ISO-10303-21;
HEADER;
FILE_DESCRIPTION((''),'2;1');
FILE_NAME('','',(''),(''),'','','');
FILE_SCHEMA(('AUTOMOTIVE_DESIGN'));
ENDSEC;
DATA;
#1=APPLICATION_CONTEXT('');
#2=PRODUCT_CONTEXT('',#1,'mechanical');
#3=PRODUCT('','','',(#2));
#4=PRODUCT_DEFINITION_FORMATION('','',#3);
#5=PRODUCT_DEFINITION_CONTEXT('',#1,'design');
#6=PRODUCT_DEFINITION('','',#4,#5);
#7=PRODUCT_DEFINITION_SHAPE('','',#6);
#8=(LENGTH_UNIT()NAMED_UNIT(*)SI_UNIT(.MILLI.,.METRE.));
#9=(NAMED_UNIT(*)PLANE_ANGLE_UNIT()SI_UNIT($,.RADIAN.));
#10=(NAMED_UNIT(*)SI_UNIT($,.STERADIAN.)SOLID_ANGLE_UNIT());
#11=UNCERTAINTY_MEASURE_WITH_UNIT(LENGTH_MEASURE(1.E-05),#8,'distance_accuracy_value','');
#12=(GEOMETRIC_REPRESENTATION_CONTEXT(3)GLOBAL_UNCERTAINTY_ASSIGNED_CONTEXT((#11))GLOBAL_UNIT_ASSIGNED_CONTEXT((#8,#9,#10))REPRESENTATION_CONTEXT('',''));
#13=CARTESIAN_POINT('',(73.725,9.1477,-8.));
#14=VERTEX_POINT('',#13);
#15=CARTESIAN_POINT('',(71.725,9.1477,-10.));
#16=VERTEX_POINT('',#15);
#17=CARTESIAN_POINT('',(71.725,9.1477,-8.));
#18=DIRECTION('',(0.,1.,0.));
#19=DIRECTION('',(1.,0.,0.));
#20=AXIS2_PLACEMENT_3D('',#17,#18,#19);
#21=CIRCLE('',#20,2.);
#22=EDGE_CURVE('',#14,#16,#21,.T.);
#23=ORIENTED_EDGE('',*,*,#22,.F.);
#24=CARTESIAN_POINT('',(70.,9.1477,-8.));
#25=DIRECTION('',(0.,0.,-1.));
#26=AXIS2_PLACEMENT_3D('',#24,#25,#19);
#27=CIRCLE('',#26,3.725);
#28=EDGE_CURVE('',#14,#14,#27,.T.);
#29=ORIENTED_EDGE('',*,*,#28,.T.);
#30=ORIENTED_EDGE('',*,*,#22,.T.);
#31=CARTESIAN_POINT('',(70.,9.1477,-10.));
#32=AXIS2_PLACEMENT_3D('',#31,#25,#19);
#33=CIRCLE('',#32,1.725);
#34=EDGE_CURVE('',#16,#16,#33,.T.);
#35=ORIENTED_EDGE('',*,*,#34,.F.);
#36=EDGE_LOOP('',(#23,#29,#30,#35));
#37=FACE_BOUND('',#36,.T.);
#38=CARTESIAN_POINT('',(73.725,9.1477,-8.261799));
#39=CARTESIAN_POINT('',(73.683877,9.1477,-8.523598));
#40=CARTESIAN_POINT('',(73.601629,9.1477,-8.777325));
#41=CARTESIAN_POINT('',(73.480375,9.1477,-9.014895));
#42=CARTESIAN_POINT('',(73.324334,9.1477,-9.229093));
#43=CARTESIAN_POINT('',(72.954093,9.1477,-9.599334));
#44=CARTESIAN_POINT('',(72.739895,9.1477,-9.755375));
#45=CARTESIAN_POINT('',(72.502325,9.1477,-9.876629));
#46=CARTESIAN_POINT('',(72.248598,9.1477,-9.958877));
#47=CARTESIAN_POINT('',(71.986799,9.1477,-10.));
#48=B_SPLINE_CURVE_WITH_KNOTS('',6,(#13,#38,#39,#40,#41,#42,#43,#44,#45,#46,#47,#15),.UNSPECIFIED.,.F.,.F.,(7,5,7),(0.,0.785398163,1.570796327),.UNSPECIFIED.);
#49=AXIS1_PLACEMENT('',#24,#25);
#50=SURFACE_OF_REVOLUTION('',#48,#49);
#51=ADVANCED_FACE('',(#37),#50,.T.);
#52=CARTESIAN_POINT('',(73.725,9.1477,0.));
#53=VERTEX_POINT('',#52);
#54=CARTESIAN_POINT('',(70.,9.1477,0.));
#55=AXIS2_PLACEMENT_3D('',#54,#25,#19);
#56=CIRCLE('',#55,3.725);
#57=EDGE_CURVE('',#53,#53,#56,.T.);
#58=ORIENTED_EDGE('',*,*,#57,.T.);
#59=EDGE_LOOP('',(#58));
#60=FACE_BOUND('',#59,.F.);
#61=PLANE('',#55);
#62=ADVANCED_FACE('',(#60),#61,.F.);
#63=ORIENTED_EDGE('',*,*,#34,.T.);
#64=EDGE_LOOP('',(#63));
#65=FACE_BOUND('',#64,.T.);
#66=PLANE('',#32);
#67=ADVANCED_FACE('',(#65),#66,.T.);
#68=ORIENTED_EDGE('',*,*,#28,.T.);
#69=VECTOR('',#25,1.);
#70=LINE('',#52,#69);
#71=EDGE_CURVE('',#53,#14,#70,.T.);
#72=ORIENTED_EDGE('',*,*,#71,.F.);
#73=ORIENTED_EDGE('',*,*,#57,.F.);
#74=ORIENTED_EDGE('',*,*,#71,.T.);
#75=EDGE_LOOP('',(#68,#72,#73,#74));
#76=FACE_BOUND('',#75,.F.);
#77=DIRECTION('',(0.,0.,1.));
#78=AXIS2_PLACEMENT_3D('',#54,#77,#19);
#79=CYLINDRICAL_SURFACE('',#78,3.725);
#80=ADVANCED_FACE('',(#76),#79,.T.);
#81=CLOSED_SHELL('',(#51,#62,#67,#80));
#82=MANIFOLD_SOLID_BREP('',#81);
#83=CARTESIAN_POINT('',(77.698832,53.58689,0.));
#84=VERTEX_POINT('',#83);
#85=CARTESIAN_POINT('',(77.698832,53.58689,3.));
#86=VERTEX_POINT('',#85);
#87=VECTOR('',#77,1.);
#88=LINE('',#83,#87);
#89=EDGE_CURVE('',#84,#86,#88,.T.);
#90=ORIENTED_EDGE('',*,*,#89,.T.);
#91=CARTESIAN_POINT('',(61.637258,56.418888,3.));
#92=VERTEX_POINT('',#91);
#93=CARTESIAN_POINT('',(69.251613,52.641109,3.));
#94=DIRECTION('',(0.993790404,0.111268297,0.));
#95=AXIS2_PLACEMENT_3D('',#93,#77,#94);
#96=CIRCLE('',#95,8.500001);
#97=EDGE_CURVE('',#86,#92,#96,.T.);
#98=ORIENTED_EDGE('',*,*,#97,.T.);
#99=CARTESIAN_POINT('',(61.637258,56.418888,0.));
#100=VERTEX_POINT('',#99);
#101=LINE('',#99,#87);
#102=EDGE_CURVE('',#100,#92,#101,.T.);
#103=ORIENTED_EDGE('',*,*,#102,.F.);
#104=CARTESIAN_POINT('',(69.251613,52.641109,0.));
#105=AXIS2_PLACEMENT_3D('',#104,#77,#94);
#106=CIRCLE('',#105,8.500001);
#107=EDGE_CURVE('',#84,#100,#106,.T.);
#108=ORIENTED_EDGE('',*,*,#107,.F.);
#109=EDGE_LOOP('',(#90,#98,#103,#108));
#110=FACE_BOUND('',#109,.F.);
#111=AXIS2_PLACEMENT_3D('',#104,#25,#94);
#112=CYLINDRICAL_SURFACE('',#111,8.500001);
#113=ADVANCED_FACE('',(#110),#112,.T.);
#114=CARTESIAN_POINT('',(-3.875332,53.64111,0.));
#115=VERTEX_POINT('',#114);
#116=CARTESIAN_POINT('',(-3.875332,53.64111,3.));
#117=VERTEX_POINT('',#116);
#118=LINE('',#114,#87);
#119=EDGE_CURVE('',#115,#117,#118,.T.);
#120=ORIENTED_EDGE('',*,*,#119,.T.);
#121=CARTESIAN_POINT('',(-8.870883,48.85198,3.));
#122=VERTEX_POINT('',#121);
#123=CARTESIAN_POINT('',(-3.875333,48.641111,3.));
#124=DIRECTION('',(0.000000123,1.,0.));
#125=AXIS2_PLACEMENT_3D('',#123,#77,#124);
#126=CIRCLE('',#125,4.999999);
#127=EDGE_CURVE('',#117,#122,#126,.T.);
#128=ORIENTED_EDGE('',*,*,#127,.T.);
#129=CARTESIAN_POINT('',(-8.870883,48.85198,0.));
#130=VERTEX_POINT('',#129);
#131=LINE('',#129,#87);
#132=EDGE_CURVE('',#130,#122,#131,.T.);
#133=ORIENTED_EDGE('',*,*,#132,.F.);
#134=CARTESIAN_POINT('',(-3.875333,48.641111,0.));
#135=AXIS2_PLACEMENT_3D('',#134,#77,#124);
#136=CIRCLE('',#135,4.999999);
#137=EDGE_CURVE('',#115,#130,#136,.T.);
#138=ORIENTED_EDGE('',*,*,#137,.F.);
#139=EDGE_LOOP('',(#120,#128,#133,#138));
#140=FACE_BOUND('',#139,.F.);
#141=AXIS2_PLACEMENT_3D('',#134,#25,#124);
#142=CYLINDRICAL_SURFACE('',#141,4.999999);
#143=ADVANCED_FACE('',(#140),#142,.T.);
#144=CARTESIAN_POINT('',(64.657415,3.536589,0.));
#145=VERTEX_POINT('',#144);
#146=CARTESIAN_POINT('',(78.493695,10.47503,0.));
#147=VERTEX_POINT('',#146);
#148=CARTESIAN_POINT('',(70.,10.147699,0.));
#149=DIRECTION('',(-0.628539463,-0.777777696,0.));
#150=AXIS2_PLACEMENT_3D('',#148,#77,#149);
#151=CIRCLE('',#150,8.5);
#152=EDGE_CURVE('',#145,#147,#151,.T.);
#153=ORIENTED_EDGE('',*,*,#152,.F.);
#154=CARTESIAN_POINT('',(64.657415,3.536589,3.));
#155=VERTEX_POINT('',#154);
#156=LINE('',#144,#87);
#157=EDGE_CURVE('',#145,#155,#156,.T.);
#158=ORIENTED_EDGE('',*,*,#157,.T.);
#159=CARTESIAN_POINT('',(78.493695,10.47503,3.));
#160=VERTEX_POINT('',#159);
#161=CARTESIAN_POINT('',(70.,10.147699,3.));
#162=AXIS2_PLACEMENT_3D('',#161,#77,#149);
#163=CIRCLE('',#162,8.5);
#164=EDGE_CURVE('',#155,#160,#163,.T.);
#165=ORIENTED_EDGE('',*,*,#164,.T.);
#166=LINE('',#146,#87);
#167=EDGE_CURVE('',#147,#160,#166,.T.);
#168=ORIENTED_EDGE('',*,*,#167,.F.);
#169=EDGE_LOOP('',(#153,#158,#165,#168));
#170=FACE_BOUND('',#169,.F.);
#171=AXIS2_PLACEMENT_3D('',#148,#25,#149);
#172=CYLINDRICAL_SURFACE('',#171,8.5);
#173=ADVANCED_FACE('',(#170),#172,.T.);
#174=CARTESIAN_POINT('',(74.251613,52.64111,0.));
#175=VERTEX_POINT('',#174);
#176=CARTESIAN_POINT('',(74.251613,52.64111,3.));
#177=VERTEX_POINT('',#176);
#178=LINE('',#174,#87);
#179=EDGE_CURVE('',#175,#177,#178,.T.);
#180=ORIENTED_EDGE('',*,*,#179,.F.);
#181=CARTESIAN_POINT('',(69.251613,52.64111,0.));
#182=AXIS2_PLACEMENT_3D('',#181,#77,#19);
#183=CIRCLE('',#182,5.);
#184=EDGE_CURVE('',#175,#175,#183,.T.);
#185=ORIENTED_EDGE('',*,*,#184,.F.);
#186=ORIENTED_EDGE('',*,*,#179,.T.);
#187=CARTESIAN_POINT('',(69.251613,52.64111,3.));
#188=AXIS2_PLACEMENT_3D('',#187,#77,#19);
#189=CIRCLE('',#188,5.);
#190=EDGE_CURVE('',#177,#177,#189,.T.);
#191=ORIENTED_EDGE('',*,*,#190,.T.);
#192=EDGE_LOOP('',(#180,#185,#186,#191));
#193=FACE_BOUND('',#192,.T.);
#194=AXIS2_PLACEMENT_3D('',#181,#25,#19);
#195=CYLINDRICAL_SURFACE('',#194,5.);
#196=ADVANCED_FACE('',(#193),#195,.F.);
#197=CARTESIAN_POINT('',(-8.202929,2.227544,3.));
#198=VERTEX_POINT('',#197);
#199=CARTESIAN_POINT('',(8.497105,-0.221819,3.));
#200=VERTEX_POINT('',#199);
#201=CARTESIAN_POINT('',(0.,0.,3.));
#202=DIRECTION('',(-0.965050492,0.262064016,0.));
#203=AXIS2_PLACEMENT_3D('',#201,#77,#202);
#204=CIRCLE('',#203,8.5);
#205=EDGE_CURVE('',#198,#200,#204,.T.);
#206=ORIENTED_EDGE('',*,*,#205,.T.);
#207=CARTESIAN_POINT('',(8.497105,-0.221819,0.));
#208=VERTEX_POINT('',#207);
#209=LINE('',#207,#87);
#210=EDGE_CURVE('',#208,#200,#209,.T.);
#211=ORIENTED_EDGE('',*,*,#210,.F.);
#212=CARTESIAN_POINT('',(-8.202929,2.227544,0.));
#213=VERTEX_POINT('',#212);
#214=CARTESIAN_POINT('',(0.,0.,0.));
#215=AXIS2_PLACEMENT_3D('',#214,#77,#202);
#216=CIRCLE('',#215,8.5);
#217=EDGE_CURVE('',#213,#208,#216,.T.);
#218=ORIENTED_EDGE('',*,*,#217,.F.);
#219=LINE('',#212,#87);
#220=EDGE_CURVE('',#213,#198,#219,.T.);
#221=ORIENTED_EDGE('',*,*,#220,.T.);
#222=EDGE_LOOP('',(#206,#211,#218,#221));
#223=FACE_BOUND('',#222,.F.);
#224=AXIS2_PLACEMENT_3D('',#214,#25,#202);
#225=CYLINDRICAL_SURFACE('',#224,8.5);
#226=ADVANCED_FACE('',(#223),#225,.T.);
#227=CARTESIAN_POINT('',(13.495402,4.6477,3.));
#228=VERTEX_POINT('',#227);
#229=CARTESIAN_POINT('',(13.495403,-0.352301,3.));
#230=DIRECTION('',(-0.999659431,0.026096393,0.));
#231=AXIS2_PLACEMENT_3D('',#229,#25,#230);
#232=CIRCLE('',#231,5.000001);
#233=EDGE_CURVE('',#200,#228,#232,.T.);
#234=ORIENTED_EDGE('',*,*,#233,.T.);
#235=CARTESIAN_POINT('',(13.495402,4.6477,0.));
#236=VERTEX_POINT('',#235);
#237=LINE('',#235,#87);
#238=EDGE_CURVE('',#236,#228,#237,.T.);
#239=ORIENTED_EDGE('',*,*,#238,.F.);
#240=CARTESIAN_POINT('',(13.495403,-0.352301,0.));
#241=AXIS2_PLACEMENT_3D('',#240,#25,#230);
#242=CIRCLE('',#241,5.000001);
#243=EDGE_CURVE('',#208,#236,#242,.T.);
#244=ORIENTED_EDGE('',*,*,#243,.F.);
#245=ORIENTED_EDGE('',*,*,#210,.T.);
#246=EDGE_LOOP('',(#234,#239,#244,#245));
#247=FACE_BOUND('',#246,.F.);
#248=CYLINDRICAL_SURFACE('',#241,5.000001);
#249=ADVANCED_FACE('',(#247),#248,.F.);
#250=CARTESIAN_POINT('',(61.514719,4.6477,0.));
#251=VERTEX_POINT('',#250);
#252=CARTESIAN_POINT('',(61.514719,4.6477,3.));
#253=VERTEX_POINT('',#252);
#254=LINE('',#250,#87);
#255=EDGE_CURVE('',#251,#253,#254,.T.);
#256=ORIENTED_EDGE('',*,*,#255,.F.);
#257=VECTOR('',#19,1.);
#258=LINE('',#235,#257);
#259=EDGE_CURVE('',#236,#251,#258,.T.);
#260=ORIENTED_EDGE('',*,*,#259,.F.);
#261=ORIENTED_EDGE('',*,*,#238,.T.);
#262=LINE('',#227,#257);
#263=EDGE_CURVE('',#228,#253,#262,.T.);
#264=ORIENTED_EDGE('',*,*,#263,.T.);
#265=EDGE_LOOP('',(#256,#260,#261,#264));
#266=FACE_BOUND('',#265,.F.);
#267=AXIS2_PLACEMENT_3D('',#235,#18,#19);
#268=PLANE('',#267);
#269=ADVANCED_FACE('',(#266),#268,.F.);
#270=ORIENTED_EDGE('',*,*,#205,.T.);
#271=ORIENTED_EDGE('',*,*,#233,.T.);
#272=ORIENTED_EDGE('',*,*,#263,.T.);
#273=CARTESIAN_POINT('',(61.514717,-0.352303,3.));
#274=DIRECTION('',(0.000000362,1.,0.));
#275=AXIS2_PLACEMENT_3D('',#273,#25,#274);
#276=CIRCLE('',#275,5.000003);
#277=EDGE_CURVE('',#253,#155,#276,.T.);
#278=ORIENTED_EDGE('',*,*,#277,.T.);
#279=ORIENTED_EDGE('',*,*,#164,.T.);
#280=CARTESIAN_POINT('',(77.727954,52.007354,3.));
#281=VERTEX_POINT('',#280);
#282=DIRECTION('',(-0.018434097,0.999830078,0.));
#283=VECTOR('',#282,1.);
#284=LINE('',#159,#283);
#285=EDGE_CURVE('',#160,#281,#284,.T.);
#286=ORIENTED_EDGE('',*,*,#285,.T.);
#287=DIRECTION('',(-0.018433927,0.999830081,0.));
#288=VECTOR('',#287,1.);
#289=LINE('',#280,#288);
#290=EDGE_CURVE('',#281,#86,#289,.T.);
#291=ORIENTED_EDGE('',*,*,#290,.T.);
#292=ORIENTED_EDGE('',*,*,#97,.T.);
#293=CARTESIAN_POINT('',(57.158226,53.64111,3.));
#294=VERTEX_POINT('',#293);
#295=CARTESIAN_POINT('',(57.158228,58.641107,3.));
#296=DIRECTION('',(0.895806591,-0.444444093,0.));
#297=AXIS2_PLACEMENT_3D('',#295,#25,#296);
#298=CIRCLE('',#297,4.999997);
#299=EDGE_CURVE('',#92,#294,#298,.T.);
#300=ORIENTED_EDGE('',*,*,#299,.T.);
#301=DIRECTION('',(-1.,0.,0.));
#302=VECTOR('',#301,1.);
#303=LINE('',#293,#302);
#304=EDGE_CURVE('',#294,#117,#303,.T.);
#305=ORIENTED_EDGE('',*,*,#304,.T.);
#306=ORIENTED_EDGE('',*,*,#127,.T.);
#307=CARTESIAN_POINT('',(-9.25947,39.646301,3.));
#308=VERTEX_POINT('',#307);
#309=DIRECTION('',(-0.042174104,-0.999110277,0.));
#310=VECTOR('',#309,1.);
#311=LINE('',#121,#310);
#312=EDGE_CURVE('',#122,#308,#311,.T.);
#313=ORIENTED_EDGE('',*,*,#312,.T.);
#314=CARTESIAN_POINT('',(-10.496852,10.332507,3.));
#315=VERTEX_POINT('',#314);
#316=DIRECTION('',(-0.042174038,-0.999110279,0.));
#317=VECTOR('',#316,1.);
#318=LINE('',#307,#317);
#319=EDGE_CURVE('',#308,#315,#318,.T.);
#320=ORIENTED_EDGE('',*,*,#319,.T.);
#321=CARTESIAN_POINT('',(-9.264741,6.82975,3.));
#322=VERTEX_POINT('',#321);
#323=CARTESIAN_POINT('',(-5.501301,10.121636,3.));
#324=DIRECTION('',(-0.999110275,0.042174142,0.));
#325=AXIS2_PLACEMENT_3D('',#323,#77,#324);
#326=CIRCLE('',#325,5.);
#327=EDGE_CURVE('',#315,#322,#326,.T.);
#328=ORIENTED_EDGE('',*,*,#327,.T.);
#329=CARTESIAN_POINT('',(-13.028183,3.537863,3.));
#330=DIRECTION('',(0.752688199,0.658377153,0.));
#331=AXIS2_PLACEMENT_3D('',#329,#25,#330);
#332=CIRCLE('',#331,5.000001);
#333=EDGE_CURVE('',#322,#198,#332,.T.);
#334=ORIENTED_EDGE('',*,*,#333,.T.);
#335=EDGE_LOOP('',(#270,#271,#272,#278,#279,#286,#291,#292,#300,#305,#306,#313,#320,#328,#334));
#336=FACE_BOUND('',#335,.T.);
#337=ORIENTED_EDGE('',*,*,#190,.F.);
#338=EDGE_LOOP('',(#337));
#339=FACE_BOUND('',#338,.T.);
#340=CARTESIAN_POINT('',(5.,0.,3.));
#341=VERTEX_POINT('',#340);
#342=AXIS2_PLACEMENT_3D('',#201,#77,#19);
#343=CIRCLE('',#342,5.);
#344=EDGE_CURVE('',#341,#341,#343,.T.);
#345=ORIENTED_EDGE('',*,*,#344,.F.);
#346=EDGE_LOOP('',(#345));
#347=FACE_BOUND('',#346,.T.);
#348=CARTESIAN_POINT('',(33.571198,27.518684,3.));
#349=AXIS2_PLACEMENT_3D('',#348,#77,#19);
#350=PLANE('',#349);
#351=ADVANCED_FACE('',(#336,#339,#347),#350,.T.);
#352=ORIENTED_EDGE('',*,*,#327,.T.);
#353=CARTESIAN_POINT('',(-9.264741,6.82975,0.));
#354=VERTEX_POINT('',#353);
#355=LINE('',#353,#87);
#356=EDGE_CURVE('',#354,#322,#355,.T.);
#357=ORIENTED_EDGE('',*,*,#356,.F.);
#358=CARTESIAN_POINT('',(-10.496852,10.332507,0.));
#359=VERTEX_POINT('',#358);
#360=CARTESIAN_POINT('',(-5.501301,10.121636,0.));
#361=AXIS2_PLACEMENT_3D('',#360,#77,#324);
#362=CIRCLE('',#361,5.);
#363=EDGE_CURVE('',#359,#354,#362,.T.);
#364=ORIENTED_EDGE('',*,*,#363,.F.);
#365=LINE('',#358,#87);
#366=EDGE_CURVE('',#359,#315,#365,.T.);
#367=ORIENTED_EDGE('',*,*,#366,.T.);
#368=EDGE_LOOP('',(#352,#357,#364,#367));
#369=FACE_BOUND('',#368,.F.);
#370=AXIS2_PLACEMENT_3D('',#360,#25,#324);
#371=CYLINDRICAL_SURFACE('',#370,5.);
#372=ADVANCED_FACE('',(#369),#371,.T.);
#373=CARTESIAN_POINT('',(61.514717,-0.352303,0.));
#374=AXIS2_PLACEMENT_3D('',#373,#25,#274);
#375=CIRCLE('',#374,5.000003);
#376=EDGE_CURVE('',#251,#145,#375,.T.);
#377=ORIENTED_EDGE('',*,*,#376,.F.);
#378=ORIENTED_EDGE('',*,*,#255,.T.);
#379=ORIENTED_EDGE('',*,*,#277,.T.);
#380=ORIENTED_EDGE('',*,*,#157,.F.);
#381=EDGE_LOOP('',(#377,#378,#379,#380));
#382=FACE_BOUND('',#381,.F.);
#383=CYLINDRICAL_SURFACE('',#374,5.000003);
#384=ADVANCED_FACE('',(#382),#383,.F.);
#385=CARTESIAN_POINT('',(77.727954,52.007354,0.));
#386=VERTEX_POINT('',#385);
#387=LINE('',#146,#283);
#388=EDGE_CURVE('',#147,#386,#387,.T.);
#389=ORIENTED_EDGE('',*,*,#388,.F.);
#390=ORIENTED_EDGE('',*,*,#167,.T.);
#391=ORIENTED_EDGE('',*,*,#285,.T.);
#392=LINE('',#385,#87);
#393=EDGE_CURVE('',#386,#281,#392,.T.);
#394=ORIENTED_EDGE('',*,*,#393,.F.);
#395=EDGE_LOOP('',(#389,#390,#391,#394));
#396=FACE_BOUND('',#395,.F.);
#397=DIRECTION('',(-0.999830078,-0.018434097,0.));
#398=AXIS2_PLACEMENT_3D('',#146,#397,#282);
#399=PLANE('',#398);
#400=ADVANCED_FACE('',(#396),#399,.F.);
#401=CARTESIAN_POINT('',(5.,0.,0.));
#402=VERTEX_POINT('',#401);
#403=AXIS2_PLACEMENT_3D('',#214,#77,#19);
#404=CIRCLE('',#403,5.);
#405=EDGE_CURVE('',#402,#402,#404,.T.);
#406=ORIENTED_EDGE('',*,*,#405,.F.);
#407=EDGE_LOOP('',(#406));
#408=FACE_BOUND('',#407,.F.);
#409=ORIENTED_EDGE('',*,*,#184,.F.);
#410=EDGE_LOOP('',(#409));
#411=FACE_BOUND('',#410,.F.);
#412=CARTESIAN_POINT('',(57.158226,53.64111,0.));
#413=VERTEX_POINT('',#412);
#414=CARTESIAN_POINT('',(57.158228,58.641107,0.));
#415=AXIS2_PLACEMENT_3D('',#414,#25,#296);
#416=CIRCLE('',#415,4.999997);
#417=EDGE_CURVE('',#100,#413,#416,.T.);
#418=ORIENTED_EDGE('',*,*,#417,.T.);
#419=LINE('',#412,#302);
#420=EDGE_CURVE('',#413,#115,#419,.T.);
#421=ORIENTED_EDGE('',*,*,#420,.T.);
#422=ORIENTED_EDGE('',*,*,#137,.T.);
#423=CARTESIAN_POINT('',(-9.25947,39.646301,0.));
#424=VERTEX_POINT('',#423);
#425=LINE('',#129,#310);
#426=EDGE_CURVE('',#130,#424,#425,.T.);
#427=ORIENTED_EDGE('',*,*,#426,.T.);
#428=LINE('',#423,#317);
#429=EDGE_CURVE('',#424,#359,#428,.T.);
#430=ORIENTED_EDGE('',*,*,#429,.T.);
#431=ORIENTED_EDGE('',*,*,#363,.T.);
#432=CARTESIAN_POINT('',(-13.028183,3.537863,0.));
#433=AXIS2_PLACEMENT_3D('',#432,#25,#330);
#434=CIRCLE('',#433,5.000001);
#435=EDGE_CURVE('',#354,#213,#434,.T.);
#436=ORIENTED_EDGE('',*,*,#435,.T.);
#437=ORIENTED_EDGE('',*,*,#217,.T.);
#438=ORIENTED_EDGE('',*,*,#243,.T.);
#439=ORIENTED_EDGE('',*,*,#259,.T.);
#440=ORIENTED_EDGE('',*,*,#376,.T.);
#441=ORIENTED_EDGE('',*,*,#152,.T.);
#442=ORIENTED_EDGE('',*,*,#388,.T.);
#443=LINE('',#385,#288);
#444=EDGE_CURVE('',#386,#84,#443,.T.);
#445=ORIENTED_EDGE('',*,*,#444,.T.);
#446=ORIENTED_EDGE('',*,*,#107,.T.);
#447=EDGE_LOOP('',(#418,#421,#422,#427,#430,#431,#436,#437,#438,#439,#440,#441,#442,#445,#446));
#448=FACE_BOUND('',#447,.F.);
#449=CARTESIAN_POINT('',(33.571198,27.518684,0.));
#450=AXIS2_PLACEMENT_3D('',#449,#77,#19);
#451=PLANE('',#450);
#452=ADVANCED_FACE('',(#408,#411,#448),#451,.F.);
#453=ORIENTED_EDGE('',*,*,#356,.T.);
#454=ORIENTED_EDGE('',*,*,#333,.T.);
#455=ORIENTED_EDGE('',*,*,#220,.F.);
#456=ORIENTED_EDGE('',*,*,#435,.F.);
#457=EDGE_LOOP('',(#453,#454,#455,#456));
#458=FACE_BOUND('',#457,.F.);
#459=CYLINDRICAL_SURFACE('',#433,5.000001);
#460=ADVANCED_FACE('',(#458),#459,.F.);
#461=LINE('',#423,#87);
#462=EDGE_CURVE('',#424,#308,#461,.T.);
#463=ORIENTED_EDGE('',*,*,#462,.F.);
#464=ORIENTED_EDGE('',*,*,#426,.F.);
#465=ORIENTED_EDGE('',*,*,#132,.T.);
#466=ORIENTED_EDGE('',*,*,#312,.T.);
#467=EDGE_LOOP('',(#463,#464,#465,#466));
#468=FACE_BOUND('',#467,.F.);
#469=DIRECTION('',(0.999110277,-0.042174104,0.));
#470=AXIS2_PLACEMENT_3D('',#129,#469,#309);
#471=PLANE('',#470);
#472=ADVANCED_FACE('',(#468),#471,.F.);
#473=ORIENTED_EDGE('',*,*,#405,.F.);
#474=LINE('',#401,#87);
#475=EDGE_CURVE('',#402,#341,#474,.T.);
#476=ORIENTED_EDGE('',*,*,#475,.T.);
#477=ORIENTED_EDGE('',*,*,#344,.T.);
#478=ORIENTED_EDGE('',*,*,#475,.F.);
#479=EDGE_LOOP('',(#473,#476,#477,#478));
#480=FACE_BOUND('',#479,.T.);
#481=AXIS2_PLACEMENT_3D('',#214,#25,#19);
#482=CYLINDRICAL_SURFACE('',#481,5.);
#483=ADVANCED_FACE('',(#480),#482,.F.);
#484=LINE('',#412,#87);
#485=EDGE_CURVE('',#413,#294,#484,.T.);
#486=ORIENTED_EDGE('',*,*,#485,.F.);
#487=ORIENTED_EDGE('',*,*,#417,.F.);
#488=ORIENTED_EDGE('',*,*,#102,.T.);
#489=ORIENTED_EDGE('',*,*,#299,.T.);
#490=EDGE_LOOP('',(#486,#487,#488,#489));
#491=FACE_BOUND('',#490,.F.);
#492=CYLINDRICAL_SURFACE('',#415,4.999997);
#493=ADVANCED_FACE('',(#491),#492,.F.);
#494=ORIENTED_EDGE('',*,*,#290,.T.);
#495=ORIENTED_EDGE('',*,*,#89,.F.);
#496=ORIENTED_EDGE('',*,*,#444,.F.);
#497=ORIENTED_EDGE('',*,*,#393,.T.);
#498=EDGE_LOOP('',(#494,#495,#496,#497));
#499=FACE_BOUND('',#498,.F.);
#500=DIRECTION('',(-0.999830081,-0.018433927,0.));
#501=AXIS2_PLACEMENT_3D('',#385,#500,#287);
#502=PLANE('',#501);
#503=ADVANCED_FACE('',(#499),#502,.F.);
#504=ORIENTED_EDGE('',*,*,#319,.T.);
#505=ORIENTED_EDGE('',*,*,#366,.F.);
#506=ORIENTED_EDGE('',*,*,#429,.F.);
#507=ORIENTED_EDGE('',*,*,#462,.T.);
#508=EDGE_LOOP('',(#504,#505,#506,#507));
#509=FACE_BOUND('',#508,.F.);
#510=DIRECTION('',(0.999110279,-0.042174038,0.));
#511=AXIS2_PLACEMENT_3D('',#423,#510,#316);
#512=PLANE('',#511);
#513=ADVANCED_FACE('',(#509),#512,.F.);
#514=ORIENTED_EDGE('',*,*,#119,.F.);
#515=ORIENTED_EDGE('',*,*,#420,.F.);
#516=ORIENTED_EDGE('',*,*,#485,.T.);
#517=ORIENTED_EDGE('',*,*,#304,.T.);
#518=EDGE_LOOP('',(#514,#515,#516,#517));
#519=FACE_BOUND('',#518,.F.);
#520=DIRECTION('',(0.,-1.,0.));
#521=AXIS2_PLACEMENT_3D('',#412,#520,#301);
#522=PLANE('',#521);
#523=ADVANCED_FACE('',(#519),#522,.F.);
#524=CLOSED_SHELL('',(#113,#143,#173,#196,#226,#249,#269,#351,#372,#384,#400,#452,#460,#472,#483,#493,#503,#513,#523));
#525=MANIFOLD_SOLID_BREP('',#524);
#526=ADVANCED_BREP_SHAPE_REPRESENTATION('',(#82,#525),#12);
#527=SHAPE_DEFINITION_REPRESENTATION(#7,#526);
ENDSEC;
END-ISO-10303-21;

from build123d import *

# Parameters (mm, degrees)
F0_R     = 5
F1_DEPTH = 3
F2_R     = 3.725
F3_DEPTH = 10
F4_R     = 2


with BuildPart() as f1:
    # F0 (on Top) → F1 (new body)
    with BuildSketch(Plane.XY):
        with BuildLine():
            Line((78.493695, 10.47503), (77.727954, 52.007354))
            Line((77.727954, 52.007354), (77.698832, 53.58689))
            ThreePointArc((77.698832, 53.58689), (70.727577, 61.011984), (61.637258, 56.418888))
            ThreePointArc((61.637258, 56.418888), (59.793458, 54.391927), (57.158226, 53.64111))
            Line((57.158226, 53.64111), (-3.875332, 53.64111))
            ThreePointArc((-3.875332, 53.64111), (-7.335509, 52.250428), (-8.870883, 48.85198))
            Line((-8.870883, 48.85198), (-9.25947, 39.646301))
            Line((-9.25947, 39.646301), (-10.496852, 10.332507))
            ThreePointArc((-10.496852, 10.332507), (-10.218006, 8.462513), (-9.264741, 6.82975))
            ThreePointArc((-9.264741, 6.82975), (-8.156171, 4.661924), (-8.202929, 2.227544))
            ThreePointArc((-8.202929, 2.227544), (-1.233482, -8.410025), (8.497105, -0.221819))
            ThreePointArc((8.497105, -0.221819), (10.006306, 3.229069), (13.495402, 4.6477))
            Line((13.495402, 4.6477), (61.514719, 4.6477))
            ThreePointArc((61.514719, 4.6477), (63.181385, 4.361745), (64.657415, 3.536589))
            ThreePointArc((64.657415, 3.536589), (73.810232, 2.549533), (78.493695, 10.47503))
        make_face()
        Circle(F0_R, mode=Mode.SUBTRACT)
        with Locations((69.251613, 52.64111)):
            Circle(F0_R, mode=Mode.SUBTRACT)
    extrude(amount=F1_DEPTH)


with BuildPart() as f3:
    # F2 (on face) → F3 (new body)
    with BuildSketch(Plane(origin=(0, 0, 0), x_dir=(1, 0, 0), z_dir=(0, 0, -1))):
        with Locations((70, -9.1477)):
            Circle(F2_R)
    extrude(amount=F3_DEPTH)

    # F4
    f4_edges = [f3.edges().sort_by_distance(p)[0] for p in [
        (66.275, 9.1477, -10),
    ]]
    fillet(f4_edges, radius=F4_R)


solid = Compound([f1.part, f3.part])
